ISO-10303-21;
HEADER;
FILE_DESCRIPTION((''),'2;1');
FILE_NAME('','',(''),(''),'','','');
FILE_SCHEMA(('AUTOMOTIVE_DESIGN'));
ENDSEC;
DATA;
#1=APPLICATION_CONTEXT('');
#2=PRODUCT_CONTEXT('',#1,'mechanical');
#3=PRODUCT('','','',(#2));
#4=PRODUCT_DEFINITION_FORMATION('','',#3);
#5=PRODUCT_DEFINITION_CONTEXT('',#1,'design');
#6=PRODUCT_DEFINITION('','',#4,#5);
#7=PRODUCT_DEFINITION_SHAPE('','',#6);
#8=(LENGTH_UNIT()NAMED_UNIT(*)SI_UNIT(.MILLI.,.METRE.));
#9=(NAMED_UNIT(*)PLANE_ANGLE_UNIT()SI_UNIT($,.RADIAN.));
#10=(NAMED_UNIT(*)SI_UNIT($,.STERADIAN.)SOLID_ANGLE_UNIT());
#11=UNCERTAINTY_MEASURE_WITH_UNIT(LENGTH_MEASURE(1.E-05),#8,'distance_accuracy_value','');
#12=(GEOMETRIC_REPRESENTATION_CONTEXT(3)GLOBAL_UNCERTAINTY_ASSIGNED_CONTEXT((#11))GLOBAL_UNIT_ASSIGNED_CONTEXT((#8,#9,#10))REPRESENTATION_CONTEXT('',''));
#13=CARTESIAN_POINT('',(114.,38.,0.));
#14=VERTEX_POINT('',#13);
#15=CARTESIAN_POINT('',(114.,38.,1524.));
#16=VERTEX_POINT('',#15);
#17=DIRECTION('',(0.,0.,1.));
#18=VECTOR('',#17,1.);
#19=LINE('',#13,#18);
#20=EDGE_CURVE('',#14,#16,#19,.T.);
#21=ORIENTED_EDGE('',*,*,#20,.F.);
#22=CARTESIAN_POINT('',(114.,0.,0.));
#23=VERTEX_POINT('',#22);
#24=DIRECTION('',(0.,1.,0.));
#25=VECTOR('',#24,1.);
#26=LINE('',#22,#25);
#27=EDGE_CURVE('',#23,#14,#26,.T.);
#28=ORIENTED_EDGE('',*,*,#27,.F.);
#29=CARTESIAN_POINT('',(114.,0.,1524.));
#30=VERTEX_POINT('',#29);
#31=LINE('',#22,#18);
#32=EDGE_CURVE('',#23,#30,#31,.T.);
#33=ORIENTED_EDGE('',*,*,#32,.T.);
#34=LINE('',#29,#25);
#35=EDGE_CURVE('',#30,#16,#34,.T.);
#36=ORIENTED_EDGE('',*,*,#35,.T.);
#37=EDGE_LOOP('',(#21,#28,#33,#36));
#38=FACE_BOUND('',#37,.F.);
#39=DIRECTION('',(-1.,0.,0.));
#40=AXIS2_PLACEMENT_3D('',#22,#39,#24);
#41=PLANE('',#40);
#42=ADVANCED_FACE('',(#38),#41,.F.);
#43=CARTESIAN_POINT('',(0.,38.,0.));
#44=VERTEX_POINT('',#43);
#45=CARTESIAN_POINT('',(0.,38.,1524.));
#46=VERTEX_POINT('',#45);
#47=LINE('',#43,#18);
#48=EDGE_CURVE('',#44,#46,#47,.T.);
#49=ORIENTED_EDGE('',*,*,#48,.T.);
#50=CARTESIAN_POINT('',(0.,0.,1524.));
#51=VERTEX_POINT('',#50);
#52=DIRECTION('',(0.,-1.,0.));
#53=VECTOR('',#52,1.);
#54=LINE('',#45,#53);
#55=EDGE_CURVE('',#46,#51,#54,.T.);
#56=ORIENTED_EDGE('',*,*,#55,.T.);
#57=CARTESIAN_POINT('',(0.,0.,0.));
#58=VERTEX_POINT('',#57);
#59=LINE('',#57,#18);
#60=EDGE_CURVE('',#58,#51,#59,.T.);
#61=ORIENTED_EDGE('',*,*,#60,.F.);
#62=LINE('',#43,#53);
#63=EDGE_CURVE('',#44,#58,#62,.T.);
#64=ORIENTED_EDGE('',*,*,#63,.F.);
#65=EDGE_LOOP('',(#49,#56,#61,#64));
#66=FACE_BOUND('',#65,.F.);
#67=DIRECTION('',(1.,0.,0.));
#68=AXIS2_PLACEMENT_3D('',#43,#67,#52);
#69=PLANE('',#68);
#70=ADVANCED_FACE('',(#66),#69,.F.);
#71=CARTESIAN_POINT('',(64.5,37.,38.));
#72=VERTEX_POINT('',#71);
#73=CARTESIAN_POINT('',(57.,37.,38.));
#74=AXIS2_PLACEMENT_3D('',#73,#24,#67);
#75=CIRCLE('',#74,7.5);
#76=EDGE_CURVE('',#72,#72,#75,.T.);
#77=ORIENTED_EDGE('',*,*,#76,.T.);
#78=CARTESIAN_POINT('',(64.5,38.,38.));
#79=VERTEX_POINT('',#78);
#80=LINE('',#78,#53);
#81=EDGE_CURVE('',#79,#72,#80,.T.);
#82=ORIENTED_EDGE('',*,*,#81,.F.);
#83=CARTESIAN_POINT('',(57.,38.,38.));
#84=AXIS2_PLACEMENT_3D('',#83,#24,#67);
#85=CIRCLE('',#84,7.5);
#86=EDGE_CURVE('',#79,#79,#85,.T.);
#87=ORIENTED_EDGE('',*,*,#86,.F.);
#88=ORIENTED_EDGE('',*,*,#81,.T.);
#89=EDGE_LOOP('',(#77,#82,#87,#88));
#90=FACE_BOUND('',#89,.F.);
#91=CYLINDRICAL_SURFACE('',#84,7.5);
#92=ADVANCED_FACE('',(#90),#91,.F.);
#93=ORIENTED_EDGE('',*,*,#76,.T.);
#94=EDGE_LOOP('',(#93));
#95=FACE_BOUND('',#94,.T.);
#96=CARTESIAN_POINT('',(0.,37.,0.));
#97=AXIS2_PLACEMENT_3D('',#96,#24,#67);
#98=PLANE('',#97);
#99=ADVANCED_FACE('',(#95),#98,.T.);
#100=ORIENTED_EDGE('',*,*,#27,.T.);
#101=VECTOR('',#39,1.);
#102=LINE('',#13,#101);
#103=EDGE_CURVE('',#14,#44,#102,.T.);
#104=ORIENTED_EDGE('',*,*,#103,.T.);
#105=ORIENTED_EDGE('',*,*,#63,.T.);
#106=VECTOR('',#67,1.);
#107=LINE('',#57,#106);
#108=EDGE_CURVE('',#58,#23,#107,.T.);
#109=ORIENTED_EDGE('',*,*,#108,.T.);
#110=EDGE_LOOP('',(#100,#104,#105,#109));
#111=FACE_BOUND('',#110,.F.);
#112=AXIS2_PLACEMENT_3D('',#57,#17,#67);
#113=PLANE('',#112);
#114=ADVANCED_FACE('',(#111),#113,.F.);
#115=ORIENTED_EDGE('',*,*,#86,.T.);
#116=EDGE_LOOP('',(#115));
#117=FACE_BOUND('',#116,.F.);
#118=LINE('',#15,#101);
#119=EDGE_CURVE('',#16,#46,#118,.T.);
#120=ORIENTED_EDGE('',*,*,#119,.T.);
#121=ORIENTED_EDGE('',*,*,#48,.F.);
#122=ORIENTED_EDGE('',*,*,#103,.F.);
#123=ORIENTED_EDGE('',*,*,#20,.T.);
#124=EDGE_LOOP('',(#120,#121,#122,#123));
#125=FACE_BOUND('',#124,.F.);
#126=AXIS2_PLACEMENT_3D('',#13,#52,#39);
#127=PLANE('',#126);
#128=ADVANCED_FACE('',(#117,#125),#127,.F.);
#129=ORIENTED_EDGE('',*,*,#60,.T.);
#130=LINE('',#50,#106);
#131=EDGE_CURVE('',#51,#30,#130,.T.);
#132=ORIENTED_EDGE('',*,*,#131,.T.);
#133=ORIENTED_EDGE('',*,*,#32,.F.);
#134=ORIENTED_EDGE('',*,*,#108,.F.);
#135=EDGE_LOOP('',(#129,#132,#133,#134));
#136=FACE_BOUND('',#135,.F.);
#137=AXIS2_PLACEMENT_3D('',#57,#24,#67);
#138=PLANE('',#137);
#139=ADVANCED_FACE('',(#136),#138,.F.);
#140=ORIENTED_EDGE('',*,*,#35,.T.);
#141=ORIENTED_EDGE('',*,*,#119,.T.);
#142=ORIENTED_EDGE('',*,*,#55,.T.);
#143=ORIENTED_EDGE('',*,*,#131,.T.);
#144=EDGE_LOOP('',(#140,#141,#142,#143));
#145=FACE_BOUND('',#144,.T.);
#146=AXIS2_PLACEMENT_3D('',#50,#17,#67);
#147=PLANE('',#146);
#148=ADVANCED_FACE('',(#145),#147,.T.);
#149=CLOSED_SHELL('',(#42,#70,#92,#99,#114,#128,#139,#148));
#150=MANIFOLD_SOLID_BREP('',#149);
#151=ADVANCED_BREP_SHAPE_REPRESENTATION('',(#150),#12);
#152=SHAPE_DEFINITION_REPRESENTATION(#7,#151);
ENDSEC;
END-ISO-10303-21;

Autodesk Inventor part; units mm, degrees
ref_plane "YZ Plane" through (0, 0, 0) normal (1, 0, 0) x (0, 1, 0)
ref_plane "XZ Plane" through (0, 0, 0) normal (0, 1, 0) x (-1, 0, 0)
ref_plane "XY Plane" through (0, 0, 0) normal (0, 0, 1) x (1, 0, 0)
sketch "Sketch1" plane through (0, 0, 0) normal (0, 0, 1) x (1, 0, 0)
  line L0 (0, 0) -> (114, 0)
  line L1 (114, 0) -> (114, 38)
  line L2 (114, 38) -> (0, 38)
  line L3 (0, 38) -> (0, 0)
  dimension "d0" = 114
  dimension "d1" = 38
extrude "Extrusion1" add sketch "Sketch1" along normal blind 1524
sketch "Sketch3" plane through (0, 38, 0) normal (0, 1, 0) x (1, 0, 0)
  circle A0 centre (57, -38) radius 7.5
  line L0 (114, 0) -> (0, 0) projected
  dimension "d23" = 38
  dimension "d24" = 15
extrude "Extrusion2" cut sketch "Sketch3" against normal blind 1
properties part number "2p2ps37" material "Wood (Cherry)"
